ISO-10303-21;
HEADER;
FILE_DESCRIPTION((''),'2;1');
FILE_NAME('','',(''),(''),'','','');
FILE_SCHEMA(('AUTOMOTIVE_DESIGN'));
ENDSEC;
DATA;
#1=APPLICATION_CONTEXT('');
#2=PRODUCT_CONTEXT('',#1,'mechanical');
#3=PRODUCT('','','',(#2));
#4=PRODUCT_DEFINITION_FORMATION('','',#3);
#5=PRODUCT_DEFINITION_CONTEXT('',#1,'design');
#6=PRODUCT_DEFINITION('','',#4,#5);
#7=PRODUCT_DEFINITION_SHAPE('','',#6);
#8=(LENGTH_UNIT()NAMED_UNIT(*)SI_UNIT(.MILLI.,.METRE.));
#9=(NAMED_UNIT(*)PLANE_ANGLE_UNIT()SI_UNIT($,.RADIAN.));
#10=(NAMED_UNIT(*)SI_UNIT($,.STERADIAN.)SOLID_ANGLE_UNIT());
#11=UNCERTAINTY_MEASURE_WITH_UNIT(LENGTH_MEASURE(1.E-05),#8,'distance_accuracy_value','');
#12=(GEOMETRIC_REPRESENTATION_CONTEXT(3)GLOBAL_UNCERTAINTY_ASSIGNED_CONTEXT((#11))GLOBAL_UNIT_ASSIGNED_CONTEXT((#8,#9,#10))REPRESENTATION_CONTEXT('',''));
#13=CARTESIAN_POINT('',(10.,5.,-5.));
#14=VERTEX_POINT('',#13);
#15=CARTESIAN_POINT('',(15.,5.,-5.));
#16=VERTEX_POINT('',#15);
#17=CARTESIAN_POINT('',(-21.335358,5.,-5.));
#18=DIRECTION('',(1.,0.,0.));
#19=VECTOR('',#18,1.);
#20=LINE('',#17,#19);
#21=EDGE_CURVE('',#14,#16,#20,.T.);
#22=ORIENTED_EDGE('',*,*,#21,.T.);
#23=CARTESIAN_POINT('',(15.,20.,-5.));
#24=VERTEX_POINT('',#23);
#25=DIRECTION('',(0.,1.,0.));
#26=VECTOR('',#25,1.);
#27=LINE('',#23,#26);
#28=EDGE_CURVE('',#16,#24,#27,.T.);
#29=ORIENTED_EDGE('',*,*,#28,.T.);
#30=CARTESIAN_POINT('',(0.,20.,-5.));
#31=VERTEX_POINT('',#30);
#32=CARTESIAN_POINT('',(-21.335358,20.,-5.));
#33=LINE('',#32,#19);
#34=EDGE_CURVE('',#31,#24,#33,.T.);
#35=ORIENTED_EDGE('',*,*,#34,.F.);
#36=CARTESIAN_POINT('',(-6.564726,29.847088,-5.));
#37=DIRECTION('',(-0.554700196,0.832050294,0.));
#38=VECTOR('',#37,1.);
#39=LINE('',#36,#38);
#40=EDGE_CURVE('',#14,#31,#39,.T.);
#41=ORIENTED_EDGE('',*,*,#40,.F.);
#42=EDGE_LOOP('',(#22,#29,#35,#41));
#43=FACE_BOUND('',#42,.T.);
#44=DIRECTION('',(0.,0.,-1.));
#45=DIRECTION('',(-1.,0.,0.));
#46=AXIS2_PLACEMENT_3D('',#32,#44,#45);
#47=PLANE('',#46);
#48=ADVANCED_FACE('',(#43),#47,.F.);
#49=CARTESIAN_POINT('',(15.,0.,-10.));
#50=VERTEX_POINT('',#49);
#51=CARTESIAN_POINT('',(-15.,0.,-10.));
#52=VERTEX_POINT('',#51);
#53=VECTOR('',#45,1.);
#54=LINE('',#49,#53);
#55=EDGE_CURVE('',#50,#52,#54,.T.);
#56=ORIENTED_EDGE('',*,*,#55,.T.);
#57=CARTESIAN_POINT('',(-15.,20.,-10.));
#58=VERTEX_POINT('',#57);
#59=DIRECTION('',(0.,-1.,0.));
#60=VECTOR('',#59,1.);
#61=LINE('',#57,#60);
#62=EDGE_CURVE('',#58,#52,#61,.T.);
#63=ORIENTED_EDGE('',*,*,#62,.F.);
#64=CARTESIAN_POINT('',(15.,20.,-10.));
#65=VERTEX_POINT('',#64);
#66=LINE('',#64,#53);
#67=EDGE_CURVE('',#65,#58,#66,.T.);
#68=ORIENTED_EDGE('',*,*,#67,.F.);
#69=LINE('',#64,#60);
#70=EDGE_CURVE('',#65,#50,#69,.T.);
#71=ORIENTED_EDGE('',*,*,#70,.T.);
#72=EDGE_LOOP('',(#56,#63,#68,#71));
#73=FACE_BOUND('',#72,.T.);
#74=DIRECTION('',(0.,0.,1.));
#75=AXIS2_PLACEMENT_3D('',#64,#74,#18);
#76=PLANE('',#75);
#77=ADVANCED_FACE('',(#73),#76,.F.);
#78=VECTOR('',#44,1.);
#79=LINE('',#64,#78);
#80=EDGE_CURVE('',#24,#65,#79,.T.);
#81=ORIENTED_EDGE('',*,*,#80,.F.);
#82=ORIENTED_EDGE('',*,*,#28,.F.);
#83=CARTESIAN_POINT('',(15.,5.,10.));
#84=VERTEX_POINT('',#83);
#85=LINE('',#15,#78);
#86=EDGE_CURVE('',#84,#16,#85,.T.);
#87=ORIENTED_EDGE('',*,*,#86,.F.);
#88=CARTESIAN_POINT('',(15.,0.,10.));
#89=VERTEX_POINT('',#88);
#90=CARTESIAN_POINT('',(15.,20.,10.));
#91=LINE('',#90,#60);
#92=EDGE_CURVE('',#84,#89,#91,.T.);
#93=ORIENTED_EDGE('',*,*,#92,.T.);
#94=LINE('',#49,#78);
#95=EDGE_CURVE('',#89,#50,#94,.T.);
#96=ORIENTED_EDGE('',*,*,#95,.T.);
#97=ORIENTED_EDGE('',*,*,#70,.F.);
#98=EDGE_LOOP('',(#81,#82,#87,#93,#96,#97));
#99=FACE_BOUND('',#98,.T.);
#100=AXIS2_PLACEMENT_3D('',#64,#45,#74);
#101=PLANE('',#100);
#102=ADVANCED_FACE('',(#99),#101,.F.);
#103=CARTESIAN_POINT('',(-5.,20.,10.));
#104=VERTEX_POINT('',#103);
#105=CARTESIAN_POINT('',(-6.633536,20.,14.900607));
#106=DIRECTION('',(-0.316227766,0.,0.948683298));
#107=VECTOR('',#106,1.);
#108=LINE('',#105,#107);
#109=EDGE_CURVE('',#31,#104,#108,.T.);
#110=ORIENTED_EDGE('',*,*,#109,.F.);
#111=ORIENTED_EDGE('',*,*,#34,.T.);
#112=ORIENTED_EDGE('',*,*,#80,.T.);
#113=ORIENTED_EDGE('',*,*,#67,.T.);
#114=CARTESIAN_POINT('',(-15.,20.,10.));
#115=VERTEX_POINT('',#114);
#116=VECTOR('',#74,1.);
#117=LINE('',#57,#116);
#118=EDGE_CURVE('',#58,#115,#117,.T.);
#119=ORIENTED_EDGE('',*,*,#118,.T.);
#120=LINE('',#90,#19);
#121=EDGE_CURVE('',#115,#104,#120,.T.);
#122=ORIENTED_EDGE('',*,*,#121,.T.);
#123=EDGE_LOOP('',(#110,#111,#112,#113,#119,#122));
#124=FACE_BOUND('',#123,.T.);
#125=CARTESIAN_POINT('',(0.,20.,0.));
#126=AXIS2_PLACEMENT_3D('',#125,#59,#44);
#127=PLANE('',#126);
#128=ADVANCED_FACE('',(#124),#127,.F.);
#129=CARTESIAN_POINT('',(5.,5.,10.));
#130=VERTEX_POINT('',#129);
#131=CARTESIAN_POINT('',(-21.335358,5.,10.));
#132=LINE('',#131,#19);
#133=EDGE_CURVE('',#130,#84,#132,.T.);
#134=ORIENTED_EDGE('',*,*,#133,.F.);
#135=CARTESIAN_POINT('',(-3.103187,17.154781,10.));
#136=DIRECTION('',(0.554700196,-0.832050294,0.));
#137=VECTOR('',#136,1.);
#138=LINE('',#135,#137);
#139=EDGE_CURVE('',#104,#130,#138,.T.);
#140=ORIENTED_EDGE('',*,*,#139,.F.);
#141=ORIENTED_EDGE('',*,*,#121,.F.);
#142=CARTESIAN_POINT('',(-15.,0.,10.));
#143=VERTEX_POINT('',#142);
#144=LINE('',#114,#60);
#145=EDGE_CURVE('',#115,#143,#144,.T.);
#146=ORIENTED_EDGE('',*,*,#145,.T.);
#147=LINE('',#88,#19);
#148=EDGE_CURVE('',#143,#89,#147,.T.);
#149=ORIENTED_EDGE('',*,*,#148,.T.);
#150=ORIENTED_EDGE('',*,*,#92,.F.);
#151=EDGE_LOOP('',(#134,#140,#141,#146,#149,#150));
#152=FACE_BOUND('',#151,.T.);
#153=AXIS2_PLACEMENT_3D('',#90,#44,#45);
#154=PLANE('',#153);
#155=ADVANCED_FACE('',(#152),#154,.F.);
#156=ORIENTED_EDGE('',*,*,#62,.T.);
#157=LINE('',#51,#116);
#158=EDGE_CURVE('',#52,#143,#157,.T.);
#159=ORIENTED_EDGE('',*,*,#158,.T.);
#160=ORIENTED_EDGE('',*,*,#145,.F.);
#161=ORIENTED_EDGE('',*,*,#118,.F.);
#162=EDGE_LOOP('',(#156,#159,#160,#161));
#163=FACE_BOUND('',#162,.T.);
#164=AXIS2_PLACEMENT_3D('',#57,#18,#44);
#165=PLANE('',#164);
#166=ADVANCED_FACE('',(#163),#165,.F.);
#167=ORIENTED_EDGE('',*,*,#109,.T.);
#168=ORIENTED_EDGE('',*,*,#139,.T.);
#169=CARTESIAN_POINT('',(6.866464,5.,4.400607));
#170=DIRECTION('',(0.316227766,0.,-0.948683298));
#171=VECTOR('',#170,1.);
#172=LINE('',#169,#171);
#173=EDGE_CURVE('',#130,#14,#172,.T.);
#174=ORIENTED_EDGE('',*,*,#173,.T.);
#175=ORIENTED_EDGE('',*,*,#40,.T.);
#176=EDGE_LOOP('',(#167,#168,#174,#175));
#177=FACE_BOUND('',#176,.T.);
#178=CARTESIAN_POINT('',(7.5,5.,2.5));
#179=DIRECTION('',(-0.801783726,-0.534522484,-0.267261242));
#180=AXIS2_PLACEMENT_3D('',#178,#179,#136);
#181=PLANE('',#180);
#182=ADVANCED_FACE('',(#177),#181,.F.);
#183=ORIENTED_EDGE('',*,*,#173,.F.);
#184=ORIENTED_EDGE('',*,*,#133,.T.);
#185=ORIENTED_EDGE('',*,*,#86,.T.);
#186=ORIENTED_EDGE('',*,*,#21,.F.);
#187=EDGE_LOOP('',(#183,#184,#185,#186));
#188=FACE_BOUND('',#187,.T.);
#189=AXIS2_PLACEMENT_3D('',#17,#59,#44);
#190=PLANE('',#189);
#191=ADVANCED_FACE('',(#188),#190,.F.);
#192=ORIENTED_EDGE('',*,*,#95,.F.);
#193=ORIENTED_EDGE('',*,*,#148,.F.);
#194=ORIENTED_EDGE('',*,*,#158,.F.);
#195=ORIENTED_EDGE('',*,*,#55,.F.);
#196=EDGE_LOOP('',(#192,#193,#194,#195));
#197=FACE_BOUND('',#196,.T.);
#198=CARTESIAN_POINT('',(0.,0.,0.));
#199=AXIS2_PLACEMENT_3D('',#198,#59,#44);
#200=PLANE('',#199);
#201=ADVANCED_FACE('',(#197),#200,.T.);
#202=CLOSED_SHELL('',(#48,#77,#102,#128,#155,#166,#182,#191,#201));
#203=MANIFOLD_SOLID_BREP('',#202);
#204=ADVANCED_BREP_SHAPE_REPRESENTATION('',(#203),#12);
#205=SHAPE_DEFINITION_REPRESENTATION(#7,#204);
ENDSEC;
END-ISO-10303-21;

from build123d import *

# Parameters (mm, degrees)
SKETCH_1_W          = 30
SKETCH_1_H          = 20
EXTRUDE_1_DEPTH     = 20
CUT_EXTRUDE_3_REACH = 39.417
SKETCH_5_W          = 15
SKETCH_5_H          = 15


with BuildPart() as part:
    # 草圖1 → 填料-伸長1 (new body)
    with BuildSketch(Plane(origin=(0, 0, 0), x_dir=(1, 0, 0), z_dir=(0, 1, 0))):
        Rectangle(SKETCH_1_W, SKETCH_1_H)
    extrude(amount=EXTRUDE_1_DEPTH)

    # 除料-伸長3: up to this plane
    cut_extrude_3_end = Plane(origin=(7.5, 5, 2.5), z_dir=(-0.8017837257372732, -0.5345224838248487, -0.2672612419124243))
    # 草圖5 → 除料-伸長3 (cut, up to the surface)
    with BuildSketch(Plane(origin=(15, 0, 0), x_dir=(0, 0, -1), z_dir=(1, 0, 0)), mode=Mode.PRIVATE) as cut_extrude_3_sk1:
        with Locations((-2.5, 12.5)):
            Rectangle(SKETCH_5_W, SKETCH_5_H)
    cut_extrude_3_tool1 = split(extrude(cut_extrude_3_sk1.sketch, amount=-CUT_EXTRUDE_3_REACH, mode=Mode.PRIVATE), bisect_by=cut_extrude_3_end, keep=Keep.BOTH, mode=Mode.PRIVATE)
    add(cut_extrude_3_tool1.solids().sort_by_distance((15, 12.5, 2.5))[0], mode=Mode.SUBTRACT)


solid = part.part
